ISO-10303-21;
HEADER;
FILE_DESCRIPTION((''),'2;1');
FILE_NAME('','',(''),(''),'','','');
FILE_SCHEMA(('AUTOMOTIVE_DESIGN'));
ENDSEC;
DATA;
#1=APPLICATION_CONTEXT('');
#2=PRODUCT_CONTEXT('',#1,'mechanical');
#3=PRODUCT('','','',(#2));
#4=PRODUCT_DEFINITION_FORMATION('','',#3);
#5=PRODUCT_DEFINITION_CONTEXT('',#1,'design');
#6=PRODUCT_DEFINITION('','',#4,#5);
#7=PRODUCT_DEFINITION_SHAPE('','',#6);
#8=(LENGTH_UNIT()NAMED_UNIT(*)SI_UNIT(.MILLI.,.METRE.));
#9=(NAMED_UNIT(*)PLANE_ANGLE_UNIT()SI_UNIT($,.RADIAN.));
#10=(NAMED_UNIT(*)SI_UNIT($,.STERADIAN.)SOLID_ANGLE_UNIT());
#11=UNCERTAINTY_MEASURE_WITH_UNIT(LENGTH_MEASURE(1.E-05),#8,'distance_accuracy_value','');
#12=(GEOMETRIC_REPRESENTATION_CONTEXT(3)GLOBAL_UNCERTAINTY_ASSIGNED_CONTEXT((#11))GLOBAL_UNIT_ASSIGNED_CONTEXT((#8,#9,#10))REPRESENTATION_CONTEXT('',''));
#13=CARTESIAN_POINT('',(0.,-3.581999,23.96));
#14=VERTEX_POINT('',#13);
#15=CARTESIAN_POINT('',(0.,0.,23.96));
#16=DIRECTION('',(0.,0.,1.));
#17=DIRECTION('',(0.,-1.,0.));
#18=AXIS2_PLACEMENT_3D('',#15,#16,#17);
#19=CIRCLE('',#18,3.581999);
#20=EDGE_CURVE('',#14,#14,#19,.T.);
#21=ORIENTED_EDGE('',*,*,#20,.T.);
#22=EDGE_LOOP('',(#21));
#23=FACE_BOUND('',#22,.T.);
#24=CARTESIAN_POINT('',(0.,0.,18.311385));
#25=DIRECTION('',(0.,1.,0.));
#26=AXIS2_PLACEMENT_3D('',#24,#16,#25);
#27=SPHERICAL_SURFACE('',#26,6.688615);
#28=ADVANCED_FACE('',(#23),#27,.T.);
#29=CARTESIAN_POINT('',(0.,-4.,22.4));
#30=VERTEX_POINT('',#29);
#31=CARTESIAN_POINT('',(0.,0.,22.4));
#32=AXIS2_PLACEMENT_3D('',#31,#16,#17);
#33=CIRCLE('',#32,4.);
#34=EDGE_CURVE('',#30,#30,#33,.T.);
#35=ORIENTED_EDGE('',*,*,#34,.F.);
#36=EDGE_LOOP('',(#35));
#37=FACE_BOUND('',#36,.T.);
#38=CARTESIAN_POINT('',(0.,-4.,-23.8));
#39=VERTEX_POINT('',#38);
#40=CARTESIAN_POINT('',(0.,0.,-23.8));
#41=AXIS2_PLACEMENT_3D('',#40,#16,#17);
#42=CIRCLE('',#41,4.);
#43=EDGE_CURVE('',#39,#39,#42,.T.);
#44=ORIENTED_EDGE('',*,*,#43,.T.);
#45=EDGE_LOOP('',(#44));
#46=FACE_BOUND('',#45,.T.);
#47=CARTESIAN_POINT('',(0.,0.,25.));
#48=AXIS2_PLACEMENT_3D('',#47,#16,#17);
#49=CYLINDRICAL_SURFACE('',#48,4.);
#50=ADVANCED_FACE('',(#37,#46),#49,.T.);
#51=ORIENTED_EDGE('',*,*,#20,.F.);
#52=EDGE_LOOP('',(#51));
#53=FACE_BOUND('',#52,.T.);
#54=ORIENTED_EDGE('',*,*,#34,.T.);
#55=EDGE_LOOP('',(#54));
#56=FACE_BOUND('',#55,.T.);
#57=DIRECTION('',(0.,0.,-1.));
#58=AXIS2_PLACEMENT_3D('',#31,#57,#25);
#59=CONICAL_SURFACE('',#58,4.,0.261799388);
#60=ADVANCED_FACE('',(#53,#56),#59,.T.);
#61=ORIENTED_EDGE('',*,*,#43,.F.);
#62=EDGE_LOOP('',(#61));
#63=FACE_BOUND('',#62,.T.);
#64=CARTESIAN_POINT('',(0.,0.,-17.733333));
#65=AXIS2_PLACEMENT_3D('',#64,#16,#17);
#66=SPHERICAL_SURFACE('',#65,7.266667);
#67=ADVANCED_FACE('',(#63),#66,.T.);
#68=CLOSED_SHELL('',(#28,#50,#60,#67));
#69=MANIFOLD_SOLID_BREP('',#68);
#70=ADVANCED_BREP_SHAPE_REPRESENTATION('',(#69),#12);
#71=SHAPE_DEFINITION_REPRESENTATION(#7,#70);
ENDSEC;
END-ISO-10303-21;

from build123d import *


with BuildPart() as part:
    # Sketch3 → Revolve1 (revolve)
    with BuildSketch(Plane(origin=(0, 0, 0), x_dir=(0, 0, -1), z_dir=(1, 0, 0)), mode=Mode.PRIVATE) as revolve1_sk:
        with BuildLine():
            Line((-25, 0), (25, 0))
            ThreePointArc((25, 0), (24.693537673, 2.088061302), (23.8, 4))
            Line((23.8, 4), (-22.4, 4))
            Line((-22.4, 4), (-23.96, 3.58199926))
            ThreePointArc((-23.96, 3.58199926), (-24.734740106, 1.864961038), (-25, 0))
        make_face()
    revolve(revolve1_sk.sketch.rotate(Axis((0, 0, 25), (0, 0, -1)), 180), axis=Axis((0, 0, 25), (0, 0, -1)))


solid = part.part
